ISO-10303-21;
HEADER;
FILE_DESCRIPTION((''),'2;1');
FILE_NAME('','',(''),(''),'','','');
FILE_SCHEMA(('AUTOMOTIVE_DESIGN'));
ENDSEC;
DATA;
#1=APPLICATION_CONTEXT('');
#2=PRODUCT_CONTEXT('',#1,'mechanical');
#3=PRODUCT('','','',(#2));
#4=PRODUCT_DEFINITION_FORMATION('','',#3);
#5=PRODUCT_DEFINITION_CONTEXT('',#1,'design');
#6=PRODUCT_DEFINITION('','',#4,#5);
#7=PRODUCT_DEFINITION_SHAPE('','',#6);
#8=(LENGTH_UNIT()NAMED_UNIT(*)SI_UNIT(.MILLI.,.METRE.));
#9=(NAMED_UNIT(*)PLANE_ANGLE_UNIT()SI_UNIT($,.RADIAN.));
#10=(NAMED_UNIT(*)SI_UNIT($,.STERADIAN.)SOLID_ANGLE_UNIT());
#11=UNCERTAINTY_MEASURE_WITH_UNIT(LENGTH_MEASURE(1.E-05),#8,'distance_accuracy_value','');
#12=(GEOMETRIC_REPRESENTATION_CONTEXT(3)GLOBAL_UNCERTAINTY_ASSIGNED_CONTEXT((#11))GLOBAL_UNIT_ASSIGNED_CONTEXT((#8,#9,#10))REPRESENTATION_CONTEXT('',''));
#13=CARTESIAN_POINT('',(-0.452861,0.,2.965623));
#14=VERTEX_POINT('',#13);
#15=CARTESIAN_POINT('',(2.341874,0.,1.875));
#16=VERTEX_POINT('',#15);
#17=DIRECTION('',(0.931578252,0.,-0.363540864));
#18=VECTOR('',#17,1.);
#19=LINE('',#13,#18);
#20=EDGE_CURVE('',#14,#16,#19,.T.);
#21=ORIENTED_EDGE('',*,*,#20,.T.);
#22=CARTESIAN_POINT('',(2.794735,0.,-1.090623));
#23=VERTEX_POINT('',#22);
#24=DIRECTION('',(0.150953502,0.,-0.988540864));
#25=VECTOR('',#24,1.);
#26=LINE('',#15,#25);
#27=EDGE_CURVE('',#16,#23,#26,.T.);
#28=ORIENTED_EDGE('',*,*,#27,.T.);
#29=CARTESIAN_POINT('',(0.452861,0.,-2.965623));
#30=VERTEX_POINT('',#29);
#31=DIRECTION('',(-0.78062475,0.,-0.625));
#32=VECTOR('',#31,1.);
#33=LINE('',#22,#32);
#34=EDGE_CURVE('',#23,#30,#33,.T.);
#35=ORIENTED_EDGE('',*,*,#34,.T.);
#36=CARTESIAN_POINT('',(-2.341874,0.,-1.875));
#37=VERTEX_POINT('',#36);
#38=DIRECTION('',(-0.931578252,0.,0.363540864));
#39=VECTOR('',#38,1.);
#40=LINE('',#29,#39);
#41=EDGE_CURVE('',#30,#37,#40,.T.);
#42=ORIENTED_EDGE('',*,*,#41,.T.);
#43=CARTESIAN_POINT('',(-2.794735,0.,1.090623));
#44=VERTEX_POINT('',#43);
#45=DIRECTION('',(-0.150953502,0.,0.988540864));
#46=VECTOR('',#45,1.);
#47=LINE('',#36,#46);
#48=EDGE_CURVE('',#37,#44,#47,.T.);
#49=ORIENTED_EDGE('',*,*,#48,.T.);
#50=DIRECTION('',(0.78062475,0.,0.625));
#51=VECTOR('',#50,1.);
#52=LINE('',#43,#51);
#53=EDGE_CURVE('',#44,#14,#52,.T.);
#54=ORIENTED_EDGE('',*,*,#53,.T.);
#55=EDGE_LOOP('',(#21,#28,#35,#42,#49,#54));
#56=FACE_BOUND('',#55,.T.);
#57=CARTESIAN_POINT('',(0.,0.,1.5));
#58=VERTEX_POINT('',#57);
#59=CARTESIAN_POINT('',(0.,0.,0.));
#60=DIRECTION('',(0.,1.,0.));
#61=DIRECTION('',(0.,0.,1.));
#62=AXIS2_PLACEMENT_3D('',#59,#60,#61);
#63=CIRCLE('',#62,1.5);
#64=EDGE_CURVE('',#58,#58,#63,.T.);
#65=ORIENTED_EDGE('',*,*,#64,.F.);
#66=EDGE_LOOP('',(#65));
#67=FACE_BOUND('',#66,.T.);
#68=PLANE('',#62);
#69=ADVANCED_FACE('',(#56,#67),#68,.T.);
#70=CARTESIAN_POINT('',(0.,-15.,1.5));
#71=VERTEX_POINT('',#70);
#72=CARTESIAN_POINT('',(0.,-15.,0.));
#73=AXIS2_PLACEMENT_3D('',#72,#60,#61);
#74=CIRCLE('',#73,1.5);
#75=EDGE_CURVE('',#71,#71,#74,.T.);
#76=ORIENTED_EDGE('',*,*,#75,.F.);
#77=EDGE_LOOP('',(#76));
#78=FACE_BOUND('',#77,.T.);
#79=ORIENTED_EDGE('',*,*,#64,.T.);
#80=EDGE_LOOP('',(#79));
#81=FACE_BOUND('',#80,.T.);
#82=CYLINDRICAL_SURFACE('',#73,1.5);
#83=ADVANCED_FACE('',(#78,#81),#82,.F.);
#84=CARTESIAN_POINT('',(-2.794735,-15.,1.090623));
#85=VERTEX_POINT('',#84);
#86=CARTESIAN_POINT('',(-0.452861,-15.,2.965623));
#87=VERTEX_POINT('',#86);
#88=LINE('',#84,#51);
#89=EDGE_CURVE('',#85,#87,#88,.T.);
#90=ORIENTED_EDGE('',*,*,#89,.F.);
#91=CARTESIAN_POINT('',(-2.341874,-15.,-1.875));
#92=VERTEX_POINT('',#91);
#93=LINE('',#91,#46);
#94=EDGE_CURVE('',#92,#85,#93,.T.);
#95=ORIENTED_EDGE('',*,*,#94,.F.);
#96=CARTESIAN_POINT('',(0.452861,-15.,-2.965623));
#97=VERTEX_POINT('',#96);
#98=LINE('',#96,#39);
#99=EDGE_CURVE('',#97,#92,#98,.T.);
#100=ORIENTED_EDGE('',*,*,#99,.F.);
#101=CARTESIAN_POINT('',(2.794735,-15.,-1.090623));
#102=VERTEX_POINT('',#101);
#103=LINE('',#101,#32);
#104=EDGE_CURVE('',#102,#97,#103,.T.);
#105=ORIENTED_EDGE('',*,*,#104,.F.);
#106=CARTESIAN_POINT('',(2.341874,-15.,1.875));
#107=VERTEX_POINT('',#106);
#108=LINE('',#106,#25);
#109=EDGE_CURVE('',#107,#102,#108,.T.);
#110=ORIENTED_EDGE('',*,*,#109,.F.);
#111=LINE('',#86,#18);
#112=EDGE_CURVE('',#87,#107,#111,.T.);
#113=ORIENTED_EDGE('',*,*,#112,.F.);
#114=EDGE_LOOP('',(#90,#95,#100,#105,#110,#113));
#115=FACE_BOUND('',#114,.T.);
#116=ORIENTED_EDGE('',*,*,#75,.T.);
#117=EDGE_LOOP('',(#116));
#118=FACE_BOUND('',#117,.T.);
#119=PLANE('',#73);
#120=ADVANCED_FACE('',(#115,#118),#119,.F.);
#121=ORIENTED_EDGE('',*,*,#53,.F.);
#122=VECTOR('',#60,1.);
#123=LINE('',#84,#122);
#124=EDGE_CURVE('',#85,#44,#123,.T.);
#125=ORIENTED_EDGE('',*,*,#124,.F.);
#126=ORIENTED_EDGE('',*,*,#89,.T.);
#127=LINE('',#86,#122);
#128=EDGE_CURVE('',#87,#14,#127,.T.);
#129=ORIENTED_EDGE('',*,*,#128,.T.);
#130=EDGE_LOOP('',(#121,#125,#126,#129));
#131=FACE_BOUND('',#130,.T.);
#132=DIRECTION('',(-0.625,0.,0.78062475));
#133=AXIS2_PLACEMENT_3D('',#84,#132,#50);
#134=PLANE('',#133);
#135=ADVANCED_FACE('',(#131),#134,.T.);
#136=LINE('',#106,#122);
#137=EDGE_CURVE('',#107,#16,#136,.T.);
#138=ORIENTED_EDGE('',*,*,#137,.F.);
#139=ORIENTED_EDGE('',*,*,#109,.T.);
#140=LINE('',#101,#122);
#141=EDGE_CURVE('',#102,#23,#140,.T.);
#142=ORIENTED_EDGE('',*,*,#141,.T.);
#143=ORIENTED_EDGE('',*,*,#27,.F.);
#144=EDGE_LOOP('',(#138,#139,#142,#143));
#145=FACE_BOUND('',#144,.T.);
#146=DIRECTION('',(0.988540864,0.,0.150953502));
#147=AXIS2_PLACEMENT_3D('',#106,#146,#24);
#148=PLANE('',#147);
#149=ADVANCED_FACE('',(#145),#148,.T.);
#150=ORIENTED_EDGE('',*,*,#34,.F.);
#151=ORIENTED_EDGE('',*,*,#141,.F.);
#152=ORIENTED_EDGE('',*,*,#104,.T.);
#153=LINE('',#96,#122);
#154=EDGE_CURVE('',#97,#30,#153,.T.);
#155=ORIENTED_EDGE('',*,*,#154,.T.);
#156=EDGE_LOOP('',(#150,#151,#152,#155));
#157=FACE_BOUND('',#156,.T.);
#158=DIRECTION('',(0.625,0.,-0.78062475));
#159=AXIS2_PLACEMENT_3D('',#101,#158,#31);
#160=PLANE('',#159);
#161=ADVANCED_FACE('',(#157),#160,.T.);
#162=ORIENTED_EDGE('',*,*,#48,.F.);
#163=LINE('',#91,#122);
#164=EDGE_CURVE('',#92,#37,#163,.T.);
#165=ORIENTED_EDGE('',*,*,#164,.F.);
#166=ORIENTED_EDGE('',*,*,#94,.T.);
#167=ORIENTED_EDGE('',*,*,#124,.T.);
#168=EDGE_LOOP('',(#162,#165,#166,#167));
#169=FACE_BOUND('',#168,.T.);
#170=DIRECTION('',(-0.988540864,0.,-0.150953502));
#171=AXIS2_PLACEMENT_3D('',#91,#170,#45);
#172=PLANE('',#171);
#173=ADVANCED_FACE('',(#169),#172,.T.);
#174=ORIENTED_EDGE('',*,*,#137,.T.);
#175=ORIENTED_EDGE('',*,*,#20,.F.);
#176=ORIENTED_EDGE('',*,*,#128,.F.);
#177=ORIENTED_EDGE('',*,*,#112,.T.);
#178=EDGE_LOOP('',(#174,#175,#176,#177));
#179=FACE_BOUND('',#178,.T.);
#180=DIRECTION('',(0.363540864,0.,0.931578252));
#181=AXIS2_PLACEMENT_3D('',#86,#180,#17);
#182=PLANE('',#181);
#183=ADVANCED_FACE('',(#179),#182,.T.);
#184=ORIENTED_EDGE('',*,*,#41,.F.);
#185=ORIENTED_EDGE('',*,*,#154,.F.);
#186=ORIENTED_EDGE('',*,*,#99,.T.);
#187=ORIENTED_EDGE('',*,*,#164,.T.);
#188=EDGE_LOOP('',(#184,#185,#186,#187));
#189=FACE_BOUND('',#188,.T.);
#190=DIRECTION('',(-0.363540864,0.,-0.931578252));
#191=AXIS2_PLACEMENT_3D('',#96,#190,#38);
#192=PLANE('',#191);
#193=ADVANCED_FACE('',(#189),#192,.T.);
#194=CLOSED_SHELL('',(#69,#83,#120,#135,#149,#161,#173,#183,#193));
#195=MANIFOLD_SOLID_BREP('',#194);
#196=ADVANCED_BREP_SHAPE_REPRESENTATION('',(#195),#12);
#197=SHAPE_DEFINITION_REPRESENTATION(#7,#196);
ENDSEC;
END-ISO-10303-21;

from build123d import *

# Parameters (mm, degrees)
BOSS_EXTRUDE1_DEPTH = 15
SKETCH2_R           = 1.5
CUT_EXTRUDE1_DEPTH  = 16


with BuildPart() as part:
    # Sketch1 → Boss-Extrude1 (new body)
    with BuildSketch(Plane(origin=(0, 0, 0), x_dir=(1, 0, 0), z_dir=(0, 1, 0))):
        Polygon((2.794734757, 1.090622592), (0.452860507, 2.965622592), (-2.341874249, 1.875), (-2.794734757, -1.090622592), (-0.452860507, -2.965622592), (2.341874249, -1.875), align=None)
    extrude(amount=-BOSS_EXTRUDE1_DEPTH)

    # Sketch2 → Cut-Extrude1 (cut, through all)
    with BuildSketch(Plane(origin=(0, 0, 0), x_dir=(1, 0, 0), z_dir=(0, 1, 0))):
        Circle(SKETCH2_R)
    extrude(amount=-CUT_EXTRUDE1_DEPTH, mode=Mode.SUBTRACT)


solid = part.part
